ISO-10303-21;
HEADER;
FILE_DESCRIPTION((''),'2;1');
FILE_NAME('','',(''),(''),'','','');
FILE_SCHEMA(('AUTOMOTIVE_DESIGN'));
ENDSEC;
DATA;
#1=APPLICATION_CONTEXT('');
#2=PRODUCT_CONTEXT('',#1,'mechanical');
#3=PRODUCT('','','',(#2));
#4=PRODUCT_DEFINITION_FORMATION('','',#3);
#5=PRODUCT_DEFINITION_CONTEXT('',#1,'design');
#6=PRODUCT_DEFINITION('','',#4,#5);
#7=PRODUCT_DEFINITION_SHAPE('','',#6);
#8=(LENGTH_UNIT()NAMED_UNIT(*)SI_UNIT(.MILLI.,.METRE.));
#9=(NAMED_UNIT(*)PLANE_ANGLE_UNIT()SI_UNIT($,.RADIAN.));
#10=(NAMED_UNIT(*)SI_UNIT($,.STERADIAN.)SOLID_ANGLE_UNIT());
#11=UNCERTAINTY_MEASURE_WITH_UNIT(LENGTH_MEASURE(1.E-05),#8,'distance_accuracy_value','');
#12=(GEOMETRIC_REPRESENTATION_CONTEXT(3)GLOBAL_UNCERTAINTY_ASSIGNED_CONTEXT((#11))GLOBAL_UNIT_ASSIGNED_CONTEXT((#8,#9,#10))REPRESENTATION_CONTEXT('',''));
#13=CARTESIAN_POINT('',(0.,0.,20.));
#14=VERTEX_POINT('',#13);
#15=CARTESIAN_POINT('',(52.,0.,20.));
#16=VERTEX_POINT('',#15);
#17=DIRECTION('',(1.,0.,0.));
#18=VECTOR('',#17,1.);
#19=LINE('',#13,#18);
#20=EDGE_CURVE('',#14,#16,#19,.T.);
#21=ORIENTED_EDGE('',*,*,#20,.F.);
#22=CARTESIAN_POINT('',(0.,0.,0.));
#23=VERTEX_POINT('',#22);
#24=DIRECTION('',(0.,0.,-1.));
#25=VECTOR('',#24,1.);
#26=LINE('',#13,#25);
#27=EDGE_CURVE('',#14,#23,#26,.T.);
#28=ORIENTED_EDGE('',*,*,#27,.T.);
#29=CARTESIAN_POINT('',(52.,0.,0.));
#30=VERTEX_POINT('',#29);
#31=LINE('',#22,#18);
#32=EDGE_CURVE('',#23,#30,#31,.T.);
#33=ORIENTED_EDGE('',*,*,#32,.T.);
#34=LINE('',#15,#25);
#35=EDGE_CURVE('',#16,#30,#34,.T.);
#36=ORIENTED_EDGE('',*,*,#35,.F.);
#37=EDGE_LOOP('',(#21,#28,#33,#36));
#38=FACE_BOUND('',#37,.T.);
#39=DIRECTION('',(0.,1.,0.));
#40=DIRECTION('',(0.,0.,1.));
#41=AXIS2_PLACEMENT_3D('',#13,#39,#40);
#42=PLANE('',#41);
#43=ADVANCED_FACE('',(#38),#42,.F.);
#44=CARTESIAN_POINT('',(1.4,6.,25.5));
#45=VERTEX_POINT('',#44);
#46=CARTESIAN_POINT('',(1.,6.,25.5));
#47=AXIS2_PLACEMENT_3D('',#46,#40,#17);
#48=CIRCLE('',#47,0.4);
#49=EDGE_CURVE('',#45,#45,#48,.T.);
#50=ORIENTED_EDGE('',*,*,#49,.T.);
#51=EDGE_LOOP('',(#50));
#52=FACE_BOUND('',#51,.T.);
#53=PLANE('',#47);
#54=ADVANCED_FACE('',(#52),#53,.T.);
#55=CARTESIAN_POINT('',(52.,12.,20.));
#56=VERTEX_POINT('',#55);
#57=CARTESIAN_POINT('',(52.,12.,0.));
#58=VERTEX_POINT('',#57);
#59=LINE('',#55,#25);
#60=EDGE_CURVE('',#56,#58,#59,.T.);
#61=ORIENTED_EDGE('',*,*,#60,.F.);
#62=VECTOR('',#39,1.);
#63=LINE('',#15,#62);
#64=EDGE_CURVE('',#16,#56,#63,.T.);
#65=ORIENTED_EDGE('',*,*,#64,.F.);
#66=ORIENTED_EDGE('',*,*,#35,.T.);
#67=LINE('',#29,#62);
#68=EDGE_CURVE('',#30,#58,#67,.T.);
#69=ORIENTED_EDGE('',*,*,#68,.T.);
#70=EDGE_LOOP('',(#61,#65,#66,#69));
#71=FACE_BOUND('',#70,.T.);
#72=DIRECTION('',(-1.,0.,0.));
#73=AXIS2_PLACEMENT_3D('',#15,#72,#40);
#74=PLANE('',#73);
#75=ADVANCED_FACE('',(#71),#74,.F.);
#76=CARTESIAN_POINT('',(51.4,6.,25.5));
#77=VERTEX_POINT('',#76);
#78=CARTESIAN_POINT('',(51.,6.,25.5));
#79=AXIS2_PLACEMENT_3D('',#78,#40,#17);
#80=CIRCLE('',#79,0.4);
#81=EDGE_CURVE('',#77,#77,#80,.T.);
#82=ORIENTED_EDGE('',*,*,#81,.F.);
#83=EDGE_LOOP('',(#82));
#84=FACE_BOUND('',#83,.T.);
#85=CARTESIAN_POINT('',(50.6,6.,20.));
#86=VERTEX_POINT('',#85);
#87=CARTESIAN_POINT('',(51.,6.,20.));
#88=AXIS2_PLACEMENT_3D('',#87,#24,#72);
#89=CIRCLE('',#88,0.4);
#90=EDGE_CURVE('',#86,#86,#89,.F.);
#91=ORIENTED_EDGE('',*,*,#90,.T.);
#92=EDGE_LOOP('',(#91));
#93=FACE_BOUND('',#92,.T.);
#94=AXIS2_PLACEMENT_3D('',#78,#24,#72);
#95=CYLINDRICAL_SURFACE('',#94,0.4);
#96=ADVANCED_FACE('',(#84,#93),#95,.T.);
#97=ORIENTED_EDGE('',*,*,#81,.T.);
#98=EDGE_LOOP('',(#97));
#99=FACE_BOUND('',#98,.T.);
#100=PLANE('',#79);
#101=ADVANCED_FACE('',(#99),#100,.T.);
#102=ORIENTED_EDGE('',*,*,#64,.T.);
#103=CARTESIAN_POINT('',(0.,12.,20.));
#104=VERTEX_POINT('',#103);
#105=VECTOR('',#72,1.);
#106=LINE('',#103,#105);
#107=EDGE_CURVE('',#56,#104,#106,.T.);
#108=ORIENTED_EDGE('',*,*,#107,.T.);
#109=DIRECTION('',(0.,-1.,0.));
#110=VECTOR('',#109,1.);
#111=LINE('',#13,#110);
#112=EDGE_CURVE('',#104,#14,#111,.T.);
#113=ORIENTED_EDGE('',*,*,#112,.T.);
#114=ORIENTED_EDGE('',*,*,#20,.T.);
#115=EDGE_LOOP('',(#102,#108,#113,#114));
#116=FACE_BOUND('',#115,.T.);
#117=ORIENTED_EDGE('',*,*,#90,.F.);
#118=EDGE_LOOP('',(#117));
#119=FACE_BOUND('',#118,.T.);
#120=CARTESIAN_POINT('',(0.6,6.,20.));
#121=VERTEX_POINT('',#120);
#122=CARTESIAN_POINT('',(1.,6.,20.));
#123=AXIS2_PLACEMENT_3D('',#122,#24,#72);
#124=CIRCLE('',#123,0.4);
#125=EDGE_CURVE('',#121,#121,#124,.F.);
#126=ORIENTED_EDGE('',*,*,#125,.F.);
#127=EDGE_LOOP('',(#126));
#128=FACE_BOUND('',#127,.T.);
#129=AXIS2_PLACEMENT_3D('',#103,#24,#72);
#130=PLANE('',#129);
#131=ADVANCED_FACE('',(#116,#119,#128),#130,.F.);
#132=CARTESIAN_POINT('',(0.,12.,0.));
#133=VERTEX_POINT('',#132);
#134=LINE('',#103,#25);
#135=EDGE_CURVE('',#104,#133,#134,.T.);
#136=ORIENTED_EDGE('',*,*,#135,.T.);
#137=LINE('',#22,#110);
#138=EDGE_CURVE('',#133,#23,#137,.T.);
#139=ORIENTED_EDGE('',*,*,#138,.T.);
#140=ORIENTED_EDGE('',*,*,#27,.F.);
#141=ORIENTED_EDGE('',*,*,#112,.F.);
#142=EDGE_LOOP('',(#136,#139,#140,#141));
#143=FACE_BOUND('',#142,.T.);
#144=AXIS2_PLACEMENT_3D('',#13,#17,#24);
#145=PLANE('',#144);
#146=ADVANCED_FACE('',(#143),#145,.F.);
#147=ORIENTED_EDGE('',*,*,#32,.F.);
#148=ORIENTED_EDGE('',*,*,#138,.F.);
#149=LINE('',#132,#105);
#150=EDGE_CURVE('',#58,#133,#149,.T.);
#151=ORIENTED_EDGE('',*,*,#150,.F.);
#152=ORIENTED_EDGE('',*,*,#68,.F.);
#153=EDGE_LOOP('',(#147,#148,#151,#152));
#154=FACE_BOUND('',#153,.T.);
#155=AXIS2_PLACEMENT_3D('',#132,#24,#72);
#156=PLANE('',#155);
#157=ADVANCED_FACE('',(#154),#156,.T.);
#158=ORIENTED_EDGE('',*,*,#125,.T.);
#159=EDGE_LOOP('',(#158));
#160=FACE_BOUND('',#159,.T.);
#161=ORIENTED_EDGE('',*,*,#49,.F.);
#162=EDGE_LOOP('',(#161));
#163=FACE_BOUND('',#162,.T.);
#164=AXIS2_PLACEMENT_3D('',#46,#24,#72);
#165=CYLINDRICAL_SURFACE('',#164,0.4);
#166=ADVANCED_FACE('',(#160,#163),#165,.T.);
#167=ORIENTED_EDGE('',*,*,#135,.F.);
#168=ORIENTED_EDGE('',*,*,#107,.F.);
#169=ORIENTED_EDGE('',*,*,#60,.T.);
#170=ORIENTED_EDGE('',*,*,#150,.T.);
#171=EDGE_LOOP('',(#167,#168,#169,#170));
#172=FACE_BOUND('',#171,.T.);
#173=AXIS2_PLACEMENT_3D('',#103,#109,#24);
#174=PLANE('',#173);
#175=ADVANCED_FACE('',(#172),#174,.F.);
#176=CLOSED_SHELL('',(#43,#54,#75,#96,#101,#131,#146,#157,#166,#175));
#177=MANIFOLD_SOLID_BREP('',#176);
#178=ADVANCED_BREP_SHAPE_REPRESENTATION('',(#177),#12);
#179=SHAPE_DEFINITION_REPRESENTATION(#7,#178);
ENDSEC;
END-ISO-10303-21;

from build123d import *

# Parameters (mm, degrees)
SKETCH_1_W      = 52
SKETCH_1_H      = 12
EXTRUDE_1_DEPTH = 20
SKETCH_2_R      = 0.4
EXTRUDE_2_DEPTH = 5.5


with BuildPart() as part:
    # Эскиз1 → Вытянуть1 (new body)
    with BuildSketch(Plane.XY):
        with Locations((26, 6)):
            Rectangle(SKETCH_1_W, SKETCH_1_H)
    extrude(amount=EXTRUDE_1_DEPTH)

    # Эскиз2 → Вытянуть2 (add)
    with BuildSketch(Plane.XY.offset(20)):
        with Locations(Location((1, 6, 0), (0, 0, 180))):
            Circle(SKETCH_2_R)
        with Locations(Location((51, 6, 0), (0, 0, 180))):
            Circle(SKETCH_2_R)
    extrude(amount=EXTRUDE_2_DEPTH)


solid = part.part
